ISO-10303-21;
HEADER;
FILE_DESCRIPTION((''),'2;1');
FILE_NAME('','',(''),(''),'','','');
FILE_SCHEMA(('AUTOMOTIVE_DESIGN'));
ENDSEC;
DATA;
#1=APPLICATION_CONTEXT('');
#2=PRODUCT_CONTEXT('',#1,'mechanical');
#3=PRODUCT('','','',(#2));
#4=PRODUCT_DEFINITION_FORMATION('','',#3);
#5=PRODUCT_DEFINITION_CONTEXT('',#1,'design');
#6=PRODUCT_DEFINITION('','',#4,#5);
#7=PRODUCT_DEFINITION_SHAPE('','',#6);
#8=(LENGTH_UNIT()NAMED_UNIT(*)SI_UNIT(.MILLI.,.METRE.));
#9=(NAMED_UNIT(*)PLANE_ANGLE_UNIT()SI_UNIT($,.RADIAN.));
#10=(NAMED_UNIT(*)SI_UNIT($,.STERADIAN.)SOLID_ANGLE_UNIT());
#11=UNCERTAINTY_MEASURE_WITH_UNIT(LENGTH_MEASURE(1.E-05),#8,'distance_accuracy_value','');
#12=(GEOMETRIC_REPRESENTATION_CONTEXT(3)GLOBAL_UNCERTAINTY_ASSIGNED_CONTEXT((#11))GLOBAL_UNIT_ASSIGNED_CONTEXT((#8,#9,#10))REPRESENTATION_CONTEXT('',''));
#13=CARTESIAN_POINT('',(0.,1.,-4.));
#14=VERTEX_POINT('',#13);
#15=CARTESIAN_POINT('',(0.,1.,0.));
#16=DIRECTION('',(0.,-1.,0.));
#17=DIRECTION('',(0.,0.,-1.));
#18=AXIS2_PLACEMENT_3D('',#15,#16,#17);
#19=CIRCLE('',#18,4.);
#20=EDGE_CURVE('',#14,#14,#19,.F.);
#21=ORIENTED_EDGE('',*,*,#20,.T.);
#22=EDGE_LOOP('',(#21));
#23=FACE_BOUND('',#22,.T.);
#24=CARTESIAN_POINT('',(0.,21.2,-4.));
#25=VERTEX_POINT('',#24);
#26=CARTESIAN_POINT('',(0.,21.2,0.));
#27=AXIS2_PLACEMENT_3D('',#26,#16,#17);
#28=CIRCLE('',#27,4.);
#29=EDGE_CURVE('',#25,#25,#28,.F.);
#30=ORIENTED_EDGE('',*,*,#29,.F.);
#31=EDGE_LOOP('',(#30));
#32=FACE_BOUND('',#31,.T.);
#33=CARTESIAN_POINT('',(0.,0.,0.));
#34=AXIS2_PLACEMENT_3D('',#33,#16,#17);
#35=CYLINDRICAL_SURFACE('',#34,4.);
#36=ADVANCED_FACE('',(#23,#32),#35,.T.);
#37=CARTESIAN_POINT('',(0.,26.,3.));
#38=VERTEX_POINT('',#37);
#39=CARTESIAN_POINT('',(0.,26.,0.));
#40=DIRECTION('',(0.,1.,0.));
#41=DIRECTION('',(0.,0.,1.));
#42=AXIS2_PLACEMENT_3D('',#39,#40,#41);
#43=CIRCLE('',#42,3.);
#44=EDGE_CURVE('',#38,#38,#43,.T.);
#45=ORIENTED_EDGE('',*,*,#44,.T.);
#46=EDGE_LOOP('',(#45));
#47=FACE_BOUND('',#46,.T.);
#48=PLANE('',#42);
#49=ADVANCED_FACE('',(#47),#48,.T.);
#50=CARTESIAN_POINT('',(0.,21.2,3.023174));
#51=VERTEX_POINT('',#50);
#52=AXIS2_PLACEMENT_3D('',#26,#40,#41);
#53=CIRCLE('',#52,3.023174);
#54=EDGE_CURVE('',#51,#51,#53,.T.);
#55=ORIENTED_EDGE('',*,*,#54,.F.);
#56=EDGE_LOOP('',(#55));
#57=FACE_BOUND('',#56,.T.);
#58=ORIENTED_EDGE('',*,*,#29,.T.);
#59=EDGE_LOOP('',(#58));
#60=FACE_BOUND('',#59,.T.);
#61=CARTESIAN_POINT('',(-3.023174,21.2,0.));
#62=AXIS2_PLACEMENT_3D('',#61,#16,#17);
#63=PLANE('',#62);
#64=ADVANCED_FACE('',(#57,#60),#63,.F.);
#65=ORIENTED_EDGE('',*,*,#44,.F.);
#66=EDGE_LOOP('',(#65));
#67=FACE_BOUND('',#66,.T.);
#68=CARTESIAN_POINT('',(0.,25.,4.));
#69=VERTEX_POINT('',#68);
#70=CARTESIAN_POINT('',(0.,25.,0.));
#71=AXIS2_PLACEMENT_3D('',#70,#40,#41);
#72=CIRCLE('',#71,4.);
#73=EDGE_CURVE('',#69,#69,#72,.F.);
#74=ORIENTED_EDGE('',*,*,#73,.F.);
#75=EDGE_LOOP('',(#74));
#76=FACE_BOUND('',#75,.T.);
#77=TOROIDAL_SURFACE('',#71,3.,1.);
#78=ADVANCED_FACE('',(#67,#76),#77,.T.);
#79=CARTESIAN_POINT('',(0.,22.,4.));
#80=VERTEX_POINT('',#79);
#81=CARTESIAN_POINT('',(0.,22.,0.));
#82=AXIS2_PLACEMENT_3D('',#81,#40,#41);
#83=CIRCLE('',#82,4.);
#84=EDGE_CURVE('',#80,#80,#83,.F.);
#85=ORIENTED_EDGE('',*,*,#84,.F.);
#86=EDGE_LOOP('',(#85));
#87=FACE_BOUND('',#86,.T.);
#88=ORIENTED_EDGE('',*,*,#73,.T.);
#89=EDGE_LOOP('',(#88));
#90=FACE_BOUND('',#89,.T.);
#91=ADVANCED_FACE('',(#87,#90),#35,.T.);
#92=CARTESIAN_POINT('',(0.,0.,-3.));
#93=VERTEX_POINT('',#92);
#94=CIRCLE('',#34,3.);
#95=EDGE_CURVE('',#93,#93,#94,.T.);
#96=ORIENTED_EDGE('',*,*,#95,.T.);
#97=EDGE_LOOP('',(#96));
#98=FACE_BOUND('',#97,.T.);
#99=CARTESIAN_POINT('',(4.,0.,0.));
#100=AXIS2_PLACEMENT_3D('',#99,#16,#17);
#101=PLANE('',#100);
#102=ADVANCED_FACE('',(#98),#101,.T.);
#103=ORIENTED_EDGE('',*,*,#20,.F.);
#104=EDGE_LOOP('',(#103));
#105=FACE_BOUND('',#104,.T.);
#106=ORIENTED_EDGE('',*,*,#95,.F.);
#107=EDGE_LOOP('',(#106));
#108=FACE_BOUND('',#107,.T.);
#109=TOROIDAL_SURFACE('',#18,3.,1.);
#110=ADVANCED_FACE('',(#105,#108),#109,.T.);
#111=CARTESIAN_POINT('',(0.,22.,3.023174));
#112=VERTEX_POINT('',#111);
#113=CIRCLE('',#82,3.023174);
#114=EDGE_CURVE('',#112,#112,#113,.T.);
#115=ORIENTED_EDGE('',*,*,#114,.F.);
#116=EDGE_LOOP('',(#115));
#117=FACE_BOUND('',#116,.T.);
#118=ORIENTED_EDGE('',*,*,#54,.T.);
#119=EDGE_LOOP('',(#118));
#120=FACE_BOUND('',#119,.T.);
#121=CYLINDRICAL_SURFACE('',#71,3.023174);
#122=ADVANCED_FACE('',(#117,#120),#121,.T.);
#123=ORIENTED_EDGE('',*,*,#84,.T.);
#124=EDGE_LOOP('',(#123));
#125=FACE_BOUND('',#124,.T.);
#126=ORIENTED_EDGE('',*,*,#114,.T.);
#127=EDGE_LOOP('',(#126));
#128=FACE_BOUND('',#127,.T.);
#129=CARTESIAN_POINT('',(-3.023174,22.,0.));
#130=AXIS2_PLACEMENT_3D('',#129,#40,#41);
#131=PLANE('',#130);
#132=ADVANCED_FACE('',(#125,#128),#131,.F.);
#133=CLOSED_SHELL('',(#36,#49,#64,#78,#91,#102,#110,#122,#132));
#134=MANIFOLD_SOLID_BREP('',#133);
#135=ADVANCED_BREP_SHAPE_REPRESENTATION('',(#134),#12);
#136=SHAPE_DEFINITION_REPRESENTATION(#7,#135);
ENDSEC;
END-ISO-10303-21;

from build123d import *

# Parameters (mm, degrees)
ESQUISSE2_W = 4
ESQUISSE2_H = 26
CONG_2_R    = 1
ESQUISSE3_W = 1.417366919
ESQUISSE3_H = 0.8


with BuildPart() as part:
    # Esquisse2 → Révolution1 (revolve)
    with BuildSketch(Plane.XY, mode=Mode.PRIVATE) as r_volution1_sk:
        with Locations((2, 13)):
            Rectangle(ESQUISSE2_W, ESQUISSE2_H)
    revolve(r_volution1_sk.sketch.rotate(Axis((0, 0, 0), (0, 1, 0)), 90), axis=Axis((0, 0, 0), (0, 1, 0)))

    # Congé2
    cong_2_edges = [part.edges().sort_by_distance(p)[0] for p in [
        (0, 0, 4),
        (0, 26, 4),
    ]]
    fillet(cong_2_edges, radius=CONG_2_R)

    # Esquisse3 → Enlèvement de matière-Révolution1 (revolve, cut)
    with BuildSketch(Plane.XY, mode=Mode.PRIVATE) as enl_vement_de_mati_re_r_volution1_sk:
        with Locations((-3.731857201, 21.6)):
            Rectangle(ESQUISSE3_W, ESQUISSE3_H)
    revolve(enl_vement_de_mati_re_r_volution1_sk.sketch.rotate(Axis((0, 0, 0), (0, -1, 0)), 270), axis=Axis((0, 0, 0), (0, -1, 0)), mode=Mode.SUBTRACT)


solid = part.part
